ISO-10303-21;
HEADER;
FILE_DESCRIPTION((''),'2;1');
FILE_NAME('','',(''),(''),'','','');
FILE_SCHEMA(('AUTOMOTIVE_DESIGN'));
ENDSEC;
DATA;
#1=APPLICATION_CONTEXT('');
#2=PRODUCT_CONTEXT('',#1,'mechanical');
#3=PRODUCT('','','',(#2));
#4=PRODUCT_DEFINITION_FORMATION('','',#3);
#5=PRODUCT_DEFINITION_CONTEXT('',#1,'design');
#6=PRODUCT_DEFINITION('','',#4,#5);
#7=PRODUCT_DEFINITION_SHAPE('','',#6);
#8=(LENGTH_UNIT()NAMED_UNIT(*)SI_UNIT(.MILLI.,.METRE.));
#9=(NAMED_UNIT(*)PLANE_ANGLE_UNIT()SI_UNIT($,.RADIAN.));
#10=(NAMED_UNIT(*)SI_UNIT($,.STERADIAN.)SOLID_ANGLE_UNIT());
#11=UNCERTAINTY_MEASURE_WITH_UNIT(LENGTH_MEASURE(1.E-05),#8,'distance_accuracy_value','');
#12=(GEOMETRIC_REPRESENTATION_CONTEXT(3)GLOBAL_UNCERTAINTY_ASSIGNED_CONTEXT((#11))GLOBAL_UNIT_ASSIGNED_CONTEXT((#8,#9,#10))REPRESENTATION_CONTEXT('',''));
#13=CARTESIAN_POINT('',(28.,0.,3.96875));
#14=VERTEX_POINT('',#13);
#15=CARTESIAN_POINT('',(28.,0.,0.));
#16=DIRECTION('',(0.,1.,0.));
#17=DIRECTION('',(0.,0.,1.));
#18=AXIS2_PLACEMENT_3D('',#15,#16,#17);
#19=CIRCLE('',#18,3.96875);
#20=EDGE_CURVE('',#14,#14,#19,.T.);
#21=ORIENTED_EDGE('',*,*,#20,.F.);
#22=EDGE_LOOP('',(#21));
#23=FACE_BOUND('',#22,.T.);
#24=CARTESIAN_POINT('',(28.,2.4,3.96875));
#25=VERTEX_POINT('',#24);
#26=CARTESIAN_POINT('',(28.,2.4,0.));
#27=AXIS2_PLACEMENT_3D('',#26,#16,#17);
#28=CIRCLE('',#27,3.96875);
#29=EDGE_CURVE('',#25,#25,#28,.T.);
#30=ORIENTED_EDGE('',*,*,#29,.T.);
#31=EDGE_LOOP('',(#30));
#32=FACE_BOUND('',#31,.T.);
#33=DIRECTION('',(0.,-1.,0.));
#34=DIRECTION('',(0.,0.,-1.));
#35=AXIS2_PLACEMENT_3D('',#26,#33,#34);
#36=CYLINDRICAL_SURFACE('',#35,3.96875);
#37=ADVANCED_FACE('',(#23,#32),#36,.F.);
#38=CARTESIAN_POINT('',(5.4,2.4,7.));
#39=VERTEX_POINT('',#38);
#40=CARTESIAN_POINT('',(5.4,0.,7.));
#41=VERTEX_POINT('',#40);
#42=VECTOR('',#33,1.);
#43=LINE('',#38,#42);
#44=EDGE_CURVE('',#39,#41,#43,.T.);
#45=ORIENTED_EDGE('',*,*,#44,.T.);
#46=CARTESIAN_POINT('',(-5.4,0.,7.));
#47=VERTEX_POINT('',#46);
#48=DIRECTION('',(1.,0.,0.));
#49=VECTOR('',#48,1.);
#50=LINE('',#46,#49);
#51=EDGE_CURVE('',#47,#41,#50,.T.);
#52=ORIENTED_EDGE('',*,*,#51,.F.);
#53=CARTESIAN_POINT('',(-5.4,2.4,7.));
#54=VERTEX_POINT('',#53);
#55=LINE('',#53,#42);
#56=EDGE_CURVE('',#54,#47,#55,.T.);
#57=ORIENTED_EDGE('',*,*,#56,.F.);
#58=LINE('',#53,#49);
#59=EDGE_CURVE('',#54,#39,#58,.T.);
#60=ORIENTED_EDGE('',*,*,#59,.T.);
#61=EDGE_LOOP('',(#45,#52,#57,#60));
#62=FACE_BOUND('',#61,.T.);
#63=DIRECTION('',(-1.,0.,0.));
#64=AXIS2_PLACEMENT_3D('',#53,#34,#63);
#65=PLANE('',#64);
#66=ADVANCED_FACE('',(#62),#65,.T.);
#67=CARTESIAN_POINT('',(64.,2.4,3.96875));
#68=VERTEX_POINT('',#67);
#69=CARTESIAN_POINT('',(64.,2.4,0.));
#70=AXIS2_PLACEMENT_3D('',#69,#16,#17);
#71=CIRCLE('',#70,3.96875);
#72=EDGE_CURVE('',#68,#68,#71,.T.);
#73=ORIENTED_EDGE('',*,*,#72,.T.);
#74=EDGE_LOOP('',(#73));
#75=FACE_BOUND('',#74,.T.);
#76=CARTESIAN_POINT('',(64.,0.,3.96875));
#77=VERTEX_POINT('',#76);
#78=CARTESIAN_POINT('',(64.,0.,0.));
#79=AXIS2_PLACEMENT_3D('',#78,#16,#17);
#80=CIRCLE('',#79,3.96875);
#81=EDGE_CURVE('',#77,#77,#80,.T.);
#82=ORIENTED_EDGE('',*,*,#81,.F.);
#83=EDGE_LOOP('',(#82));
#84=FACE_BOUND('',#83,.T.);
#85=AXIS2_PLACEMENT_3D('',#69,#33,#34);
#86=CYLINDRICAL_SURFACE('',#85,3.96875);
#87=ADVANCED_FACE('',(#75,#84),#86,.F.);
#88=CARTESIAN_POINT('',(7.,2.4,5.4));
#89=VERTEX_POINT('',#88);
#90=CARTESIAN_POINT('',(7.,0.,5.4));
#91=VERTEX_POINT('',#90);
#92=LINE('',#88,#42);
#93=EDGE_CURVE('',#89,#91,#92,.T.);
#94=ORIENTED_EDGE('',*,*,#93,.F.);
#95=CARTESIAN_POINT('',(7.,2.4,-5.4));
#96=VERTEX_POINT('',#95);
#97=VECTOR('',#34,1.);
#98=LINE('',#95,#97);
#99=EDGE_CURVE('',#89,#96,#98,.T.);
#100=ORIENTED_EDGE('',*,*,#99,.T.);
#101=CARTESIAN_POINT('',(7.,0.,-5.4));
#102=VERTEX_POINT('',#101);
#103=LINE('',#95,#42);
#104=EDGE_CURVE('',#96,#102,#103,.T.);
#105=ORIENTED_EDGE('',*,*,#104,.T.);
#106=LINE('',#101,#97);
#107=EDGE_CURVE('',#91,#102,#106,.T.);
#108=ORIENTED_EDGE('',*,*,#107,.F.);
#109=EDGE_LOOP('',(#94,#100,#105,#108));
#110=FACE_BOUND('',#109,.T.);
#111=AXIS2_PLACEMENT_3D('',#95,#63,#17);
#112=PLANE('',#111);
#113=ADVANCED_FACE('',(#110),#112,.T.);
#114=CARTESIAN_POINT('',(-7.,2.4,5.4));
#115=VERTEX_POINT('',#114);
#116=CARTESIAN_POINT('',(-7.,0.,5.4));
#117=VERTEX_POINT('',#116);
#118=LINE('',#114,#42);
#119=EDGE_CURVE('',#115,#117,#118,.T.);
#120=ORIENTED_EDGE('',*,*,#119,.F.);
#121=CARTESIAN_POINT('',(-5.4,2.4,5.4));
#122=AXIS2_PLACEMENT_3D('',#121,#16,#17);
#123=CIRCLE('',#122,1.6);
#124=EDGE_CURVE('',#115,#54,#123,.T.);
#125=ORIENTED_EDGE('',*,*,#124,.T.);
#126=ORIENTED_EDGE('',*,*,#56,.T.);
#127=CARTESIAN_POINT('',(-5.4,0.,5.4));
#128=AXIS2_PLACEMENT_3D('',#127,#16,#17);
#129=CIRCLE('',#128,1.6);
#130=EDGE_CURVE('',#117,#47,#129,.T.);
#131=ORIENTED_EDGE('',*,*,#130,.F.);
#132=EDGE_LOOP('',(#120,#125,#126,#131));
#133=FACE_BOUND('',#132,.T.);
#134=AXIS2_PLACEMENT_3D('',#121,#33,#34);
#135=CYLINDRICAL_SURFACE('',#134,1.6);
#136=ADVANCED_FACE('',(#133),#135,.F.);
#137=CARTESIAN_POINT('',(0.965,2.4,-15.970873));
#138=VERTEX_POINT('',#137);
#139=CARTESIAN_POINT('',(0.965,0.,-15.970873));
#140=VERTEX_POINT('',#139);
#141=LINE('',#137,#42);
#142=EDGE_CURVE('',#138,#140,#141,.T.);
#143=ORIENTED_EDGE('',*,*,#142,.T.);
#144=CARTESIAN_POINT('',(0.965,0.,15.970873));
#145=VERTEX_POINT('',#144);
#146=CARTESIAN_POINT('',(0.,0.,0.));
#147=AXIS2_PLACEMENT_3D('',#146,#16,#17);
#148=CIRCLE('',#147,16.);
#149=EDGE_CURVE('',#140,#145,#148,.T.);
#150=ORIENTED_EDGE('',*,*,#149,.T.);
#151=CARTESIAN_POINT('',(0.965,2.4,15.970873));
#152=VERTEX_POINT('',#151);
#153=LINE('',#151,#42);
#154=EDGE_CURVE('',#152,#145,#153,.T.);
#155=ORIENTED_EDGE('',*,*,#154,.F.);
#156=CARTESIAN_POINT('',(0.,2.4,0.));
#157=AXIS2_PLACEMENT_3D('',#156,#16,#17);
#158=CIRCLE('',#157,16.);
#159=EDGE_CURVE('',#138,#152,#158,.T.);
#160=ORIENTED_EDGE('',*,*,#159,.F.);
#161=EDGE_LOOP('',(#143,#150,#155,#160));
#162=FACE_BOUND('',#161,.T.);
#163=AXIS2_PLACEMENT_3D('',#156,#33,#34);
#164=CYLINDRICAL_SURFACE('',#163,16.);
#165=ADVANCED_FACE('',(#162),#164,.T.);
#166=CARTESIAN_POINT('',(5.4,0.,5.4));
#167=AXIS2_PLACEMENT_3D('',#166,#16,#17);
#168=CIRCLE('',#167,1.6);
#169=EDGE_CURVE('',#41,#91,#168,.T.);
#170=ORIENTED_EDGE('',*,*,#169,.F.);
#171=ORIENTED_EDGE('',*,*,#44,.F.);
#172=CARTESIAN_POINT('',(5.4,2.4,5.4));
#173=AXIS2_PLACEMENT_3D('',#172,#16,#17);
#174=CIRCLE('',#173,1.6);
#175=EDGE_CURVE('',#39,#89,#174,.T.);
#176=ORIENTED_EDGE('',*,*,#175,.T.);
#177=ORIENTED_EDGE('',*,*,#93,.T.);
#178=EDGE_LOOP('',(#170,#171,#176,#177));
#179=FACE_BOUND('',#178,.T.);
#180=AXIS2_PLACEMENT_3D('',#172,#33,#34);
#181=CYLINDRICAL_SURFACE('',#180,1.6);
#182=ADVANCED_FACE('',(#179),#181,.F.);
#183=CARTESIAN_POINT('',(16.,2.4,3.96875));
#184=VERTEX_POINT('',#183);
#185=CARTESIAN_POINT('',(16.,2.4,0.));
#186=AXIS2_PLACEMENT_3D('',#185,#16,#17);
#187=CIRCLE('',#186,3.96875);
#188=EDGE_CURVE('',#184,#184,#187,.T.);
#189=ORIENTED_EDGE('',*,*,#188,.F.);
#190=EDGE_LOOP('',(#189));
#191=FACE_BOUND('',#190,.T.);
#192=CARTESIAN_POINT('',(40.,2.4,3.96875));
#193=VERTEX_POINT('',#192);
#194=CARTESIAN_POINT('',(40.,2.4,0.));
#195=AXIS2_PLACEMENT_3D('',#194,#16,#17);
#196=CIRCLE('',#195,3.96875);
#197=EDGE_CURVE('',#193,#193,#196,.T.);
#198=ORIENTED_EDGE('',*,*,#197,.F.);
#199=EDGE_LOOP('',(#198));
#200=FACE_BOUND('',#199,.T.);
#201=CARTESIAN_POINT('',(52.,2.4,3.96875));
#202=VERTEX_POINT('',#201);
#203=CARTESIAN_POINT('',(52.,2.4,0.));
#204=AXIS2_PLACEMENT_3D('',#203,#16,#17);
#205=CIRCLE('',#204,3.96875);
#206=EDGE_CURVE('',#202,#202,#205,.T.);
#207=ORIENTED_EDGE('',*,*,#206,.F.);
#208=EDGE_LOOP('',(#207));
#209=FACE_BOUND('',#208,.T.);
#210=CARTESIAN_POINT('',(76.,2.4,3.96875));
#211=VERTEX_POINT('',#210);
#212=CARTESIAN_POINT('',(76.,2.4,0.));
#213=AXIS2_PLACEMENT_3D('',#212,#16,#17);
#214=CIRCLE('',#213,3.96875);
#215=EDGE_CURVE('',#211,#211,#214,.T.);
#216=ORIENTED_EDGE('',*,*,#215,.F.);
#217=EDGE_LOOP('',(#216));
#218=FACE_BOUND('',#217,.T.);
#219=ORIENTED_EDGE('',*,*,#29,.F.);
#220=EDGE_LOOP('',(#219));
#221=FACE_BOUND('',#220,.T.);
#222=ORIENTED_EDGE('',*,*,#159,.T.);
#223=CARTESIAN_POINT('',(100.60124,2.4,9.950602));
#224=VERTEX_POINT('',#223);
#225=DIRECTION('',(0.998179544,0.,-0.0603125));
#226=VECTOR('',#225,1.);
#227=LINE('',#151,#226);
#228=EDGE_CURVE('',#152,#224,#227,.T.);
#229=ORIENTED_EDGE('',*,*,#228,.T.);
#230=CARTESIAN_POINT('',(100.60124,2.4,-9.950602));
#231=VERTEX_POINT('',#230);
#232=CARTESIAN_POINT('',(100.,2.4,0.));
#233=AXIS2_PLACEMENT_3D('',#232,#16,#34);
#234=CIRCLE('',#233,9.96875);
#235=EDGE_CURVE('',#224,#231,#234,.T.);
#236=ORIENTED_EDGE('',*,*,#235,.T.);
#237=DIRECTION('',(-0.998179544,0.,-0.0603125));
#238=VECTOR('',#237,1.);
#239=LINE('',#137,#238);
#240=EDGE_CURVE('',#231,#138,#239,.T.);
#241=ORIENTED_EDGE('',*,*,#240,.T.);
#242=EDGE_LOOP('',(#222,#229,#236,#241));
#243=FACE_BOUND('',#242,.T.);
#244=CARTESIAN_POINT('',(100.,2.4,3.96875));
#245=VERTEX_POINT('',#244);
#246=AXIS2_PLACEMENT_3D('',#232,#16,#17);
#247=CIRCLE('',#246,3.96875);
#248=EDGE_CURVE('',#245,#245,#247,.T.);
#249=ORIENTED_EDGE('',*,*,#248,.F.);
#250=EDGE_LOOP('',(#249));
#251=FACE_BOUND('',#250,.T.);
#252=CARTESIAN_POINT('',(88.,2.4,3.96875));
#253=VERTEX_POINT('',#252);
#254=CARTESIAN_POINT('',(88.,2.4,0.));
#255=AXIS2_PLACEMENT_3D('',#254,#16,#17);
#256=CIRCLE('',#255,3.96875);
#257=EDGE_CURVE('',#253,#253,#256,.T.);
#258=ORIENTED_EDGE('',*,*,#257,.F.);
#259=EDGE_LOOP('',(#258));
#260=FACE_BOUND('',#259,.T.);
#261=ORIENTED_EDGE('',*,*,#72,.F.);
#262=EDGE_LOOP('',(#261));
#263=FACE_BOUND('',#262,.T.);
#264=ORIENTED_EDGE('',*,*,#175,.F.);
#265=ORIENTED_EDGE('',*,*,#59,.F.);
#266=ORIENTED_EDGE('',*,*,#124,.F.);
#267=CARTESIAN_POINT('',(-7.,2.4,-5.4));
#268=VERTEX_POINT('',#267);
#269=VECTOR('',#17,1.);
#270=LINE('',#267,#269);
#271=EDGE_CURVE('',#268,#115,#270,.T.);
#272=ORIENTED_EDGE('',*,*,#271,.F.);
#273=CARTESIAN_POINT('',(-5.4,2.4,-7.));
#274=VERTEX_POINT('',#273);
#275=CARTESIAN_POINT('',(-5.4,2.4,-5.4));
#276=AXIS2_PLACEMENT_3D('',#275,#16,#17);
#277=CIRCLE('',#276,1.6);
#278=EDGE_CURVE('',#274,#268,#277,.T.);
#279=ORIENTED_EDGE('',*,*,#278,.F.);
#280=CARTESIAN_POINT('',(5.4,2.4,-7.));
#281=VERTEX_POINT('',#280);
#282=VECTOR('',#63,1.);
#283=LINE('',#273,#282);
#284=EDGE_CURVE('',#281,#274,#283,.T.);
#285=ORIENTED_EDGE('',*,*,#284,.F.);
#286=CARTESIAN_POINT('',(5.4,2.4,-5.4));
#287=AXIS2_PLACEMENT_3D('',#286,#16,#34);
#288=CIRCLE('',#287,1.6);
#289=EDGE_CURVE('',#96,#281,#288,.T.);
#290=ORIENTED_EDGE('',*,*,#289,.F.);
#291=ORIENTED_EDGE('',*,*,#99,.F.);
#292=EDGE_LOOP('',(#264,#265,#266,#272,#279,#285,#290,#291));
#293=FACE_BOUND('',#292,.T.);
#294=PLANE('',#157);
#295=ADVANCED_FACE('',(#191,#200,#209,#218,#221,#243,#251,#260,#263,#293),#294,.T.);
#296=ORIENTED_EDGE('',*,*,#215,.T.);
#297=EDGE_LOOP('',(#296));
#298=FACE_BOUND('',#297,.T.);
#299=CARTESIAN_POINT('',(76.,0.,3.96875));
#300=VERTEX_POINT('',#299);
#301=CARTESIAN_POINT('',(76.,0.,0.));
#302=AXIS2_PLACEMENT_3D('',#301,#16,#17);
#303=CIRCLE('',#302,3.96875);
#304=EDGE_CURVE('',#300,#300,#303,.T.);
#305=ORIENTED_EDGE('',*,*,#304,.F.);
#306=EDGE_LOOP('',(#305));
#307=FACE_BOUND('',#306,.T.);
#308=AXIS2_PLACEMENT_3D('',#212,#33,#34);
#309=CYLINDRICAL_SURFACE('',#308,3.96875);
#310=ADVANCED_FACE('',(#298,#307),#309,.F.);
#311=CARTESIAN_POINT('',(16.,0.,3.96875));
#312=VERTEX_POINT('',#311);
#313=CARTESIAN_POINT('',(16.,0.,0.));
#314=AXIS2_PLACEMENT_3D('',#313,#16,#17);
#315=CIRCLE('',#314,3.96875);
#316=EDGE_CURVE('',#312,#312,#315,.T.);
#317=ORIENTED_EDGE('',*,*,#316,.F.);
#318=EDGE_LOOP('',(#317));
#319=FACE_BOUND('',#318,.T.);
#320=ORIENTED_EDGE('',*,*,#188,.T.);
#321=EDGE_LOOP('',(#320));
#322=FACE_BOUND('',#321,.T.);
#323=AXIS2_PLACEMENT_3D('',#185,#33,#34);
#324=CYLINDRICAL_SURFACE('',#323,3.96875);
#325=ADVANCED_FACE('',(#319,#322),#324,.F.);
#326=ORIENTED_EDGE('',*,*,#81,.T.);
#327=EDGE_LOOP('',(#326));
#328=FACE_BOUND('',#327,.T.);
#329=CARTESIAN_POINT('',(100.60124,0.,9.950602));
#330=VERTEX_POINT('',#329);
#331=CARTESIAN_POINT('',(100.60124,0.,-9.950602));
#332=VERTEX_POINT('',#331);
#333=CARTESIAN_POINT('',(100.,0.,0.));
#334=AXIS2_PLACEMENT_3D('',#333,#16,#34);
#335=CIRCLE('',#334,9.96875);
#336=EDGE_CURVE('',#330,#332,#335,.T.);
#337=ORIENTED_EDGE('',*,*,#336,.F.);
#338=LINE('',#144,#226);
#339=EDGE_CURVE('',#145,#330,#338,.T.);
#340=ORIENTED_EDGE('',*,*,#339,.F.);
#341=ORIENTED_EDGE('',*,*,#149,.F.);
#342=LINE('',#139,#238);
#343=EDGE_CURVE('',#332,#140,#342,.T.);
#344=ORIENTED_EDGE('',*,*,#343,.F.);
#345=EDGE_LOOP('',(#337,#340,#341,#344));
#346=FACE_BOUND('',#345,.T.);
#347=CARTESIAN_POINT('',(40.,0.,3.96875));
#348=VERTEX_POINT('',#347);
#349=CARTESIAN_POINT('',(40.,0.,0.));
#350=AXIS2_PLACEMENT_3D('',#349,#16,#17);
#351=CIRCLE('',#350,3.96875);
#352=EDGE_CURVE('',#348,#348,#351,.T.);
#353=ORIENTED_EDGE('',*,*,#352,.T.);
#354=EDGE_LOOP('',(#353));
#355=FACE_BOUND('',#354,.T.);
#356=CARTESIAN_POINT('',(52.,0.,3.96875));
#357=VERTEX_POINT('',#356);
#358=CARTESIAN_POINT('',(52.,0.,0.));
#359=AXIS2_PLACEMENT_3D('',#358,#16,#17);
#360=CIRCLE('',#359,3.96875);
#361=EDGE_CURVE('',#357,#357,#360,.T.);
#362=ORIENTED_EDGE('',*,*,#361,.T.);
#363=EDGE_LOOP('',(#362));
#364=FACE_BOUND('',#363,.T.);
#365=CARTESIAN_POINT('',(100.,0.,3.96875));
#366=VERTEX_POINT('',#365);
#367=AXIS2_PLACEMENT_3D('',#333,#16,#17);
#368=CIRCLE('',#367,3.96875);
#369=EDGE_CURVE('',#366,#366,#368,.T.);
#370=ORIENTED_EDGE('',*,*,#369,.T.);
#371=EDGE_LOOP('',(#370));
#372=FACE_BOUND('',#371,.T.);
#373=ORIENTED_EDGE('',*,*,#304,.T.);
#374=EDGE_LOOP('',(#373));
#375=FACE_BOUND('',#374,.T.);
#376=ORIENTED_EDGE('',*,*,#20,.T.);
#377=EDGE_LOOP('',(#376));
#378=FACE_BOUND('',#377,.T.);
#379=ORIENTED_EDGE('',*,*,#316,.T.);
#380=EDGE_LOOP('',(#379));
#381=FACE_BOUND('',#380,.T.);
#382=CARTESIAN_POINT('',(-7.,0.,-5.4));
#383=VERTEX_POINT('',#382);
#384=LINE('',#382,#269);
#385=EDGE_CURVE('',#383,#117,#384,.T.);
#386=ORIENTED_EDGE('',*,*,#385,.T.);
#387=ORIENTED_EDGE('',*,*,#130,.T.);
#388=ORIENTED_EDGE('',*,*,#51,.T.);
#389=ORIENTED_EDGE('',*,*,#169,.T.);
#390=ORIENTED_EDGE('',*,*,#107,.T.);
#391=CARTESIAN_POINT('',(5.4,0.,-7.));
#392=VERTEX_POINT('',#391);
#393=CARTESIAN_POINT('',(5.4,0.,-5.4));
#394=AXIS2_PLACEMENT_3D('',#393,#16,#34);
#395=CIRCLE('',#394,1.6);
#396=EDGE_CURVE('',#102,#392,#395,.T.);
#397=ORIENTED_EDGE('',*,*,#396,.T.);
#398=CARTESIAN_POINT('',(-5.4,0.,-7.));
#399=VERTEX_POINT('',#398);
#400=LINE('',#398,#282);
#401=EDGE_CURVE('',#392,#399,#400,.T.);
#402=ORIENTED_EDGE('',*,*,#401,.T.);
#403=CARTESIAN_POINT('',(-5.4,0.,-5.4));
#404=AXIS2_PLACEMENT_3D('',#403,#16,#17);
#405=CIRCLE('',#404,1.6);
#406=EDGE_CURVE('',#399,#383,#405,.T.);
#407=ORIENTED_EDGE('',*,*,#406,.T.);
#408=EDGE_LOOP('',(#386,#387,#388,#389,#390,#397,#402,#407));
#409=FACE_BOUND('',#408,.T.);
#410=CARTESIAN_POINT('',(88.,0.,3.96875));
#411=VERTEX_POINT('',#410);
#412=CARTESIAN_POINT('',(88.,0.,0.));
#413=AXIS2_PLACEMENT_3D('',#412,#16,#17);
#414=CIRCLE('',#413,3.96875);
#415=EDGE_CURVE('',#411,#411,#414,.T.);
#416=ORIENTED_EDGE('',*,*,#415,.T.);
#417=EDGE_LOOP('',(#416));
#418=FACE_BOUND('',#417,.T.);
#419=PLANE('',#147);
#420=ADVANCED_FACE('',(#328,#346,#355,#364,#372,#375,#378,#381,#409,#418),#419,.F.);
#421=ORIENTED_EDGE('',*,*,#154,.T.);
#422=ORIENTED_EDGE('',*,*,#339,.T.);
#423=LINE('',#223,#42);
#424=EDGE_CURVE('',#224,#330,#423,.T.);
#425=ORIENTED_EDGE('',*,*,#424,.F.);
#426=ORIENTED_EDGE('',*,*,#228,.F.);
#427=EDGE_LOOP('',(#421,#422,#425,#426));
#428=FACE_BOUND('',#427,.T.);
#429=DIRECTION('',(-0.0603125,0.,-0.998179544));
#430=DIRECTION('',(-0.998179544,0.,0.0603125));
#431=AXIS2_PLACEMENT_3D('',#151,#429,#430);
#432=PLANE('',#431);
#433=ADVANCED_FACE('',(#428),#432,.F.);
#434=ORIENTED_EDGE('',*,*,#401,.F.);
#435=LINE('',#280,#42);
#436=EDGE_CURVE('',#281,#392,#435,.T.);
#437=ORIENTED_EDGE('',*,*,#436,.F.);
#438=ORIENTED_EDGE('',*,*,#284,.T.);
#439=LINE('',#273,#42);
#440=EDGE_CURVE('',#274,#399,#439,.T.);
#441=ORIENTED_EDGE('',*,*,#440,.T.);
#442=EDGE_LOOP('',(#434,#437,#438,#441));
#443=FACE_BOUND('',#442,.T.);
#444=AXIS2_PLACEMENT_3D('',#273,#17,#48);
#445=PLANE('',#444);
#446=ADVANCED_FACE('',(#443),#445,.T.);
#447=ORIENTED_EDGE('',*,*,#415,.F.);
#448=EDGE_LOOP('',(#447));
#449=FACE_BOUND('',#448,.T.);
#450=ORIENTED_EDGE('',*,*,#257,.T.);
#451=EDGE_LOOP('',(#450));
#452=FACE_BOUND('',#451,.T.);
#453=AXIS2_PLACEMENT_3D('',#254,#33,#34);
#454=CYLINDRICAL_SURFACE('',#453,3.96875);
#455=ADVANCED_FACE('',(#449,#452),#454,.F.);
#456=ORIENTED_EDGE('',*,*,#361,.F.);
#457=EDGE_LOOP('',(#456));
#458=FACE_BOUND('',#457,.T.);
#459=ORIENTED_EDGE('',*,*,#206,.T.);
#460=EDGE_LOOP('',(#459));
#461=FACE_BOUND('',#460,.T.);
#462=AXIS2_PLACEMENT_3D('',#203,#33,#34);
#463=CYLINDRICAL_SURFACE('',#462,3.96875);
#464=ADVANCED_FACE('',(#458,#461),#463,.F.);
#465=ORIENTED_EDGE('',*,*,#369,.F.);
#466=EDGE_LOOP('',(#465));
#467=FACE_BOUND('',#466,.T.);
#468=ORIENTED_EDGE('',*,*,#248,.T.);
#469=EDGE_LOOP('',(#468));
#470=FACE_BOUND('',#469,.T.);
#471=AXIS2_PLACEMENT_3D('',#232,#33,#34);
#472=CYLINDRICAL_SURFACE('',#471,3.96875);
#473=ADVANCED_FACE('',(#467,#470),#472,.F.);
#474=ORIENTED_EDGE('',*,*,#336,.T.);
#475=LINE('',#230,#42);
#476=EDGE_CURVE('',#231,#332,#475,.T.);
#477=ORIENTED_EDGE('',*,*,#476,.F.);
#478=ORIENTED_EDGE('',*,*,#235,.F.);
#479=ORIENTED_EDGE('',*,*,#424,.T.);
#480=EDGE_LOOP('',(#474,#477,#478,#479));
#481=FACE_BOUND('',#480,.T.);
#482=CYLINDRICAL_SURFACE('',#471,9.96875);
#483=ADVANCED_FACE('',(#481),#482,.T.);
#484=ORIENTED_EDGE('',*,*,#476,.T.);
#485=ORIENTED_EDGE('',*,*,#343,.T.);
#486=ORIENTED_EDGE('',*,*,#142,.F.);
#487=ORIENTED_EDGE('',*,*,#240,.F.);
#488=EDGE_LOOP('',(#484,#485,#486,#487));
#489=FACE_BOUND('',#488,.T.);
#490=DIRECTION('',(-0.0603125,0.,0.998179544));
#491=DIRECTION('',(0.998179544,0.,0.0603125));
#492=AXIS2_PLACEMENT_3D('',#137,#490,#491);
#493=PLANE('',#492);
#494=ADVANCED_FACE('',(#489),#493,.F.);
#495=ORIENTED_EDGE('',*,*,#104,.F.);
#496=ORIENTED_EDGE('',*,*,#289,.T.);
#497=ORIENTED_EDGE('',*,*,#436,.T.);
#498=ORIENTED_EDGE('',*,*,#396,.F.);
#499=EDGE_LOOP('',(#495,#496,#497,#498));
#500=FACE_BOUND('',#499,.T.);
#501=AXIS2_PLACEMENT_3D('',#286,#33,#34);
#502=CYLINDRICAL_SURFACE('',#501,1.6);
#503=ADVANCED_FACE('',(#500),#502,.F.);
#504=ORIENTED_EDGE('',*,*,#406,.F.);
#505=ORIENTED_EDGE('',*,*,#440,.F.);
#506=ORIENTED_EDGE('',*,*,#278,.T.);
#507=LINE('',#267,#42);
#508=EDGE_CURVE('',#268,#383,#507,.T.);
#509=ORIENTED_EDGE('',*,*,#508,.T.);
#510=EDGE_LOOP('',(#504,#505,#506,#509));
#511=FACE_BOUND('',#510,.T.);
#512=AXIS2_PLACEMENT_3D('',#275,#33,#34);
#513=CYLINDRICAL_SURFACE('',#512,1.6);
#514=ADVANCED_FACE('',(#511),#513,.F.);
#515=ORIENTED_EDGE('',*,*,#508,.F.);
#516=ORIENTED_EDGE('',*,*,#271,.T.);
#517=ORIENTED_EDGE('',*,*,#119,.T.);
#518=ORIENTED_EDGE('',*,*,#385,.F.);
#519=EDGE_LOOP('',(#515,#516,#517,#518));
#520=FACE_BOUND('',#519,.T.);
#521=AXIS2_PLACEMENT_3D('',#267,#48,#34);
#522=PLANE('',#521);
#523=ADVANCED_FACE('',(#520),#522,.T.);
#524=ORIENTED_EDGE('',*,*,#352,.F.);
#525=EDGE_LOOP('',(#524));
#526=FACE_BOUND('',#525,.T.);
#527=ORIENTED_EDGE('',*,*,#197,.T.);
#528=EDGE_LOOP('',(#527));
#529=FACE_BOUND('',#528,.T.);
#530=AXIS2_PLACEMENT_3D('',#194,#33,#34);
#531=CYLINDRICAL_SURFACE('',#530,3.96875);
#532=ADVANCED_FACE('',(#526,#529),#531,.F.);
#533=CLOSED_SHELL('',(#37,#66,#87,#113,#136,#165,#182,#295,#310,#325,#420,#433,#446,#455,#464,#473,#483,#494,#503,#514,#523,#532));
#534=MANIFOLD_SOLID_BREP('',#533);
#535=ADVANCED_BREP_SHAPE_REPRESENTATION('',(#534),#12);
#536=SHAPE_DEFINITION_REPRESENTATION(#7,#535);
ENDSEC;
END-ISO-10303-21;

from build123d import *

# Parameters (mm, degrees)
SKETCH1_R           = 3.96875
BOSS_EXTRUDE1_DEPTH = 2.4


with BuildPart() as part:
    # Sketch1 → Boss-Extrude1 (new body)
    with BuildSketch(Plane(origin=(0, 0, 0), x_dir=(1, 0, 0), z_dir=(0, 1, 0))):
        with BuildLine():
            Line((0.965, 15.970872706), (100.601240234, 9.950602331))
            ThreePointArc((100.601240234, 9.950602331), (109.96875, 0), (100.601240234, -9.950602331))
            Line((100.601240234, -9.950602331), (0.965, -15.970872706))
            ThreePointArc((0.965, -15.970872706), (-16, 0), (0.965, 15.970872706))
        make_face()
        with Locations((16, 0)):
            Circle(SKETCH1_R, mode=Mode.SUBTRACT)
        with Locations((28, 0)):
            Circle(SKETCH1_R, mode=Mode.SUBTRACT)
        with Locations((40, 0)):
            Circle(SKETCH1_R, mode=Mode.SUBTRACT)
        with Locations((52, 0)):
            Circle(SKETCH1_R, mode=Mode.SUBTRACT)
        with Locations((64, 0)):
            Circle(SKETCH1_R, mode=Mode.SUBTRACT)
        with Locations((76, 0)):
            Circle(SKETCH1_R, mode=Mode.SUBTRACT)
        with Locations((88, 0)):
            Circle(SKETCH1_R, mode=Mode.SUBTRACT)
        with Locations((100, 0)):
            Circle(SKETCH1_R, mode=Mode.SUBTRACT)
        with BuildLine():
            Line((-5.4, 7), (5.4, 7))
            ThreePointArc((5.4, 7), (6.53137085, 6.53137085), (7, 5.4))
            Line((7, 5.4), (7, -5.4))
            ThreePointArc((7, -5.4), (6.53137085, -6.53137085), (5.4, -7))
            Line((5.4, -7), (-5.4, -7))
            ThreePointArc((-5.4, -7), (-6.53137085, -6.53137085), (-7, -5.4))
            Line((-7, -5.4), (-7, 5.4))
            ThreePointArc((-7, 5.4), (-6.53137085, 6.53137085), (-5.4, 7))
        make_face(mode=Mode.SUBTRACT)
    extrude(amount=BOSS_EXTRUDE1_DEPTH)


solid = part.part
